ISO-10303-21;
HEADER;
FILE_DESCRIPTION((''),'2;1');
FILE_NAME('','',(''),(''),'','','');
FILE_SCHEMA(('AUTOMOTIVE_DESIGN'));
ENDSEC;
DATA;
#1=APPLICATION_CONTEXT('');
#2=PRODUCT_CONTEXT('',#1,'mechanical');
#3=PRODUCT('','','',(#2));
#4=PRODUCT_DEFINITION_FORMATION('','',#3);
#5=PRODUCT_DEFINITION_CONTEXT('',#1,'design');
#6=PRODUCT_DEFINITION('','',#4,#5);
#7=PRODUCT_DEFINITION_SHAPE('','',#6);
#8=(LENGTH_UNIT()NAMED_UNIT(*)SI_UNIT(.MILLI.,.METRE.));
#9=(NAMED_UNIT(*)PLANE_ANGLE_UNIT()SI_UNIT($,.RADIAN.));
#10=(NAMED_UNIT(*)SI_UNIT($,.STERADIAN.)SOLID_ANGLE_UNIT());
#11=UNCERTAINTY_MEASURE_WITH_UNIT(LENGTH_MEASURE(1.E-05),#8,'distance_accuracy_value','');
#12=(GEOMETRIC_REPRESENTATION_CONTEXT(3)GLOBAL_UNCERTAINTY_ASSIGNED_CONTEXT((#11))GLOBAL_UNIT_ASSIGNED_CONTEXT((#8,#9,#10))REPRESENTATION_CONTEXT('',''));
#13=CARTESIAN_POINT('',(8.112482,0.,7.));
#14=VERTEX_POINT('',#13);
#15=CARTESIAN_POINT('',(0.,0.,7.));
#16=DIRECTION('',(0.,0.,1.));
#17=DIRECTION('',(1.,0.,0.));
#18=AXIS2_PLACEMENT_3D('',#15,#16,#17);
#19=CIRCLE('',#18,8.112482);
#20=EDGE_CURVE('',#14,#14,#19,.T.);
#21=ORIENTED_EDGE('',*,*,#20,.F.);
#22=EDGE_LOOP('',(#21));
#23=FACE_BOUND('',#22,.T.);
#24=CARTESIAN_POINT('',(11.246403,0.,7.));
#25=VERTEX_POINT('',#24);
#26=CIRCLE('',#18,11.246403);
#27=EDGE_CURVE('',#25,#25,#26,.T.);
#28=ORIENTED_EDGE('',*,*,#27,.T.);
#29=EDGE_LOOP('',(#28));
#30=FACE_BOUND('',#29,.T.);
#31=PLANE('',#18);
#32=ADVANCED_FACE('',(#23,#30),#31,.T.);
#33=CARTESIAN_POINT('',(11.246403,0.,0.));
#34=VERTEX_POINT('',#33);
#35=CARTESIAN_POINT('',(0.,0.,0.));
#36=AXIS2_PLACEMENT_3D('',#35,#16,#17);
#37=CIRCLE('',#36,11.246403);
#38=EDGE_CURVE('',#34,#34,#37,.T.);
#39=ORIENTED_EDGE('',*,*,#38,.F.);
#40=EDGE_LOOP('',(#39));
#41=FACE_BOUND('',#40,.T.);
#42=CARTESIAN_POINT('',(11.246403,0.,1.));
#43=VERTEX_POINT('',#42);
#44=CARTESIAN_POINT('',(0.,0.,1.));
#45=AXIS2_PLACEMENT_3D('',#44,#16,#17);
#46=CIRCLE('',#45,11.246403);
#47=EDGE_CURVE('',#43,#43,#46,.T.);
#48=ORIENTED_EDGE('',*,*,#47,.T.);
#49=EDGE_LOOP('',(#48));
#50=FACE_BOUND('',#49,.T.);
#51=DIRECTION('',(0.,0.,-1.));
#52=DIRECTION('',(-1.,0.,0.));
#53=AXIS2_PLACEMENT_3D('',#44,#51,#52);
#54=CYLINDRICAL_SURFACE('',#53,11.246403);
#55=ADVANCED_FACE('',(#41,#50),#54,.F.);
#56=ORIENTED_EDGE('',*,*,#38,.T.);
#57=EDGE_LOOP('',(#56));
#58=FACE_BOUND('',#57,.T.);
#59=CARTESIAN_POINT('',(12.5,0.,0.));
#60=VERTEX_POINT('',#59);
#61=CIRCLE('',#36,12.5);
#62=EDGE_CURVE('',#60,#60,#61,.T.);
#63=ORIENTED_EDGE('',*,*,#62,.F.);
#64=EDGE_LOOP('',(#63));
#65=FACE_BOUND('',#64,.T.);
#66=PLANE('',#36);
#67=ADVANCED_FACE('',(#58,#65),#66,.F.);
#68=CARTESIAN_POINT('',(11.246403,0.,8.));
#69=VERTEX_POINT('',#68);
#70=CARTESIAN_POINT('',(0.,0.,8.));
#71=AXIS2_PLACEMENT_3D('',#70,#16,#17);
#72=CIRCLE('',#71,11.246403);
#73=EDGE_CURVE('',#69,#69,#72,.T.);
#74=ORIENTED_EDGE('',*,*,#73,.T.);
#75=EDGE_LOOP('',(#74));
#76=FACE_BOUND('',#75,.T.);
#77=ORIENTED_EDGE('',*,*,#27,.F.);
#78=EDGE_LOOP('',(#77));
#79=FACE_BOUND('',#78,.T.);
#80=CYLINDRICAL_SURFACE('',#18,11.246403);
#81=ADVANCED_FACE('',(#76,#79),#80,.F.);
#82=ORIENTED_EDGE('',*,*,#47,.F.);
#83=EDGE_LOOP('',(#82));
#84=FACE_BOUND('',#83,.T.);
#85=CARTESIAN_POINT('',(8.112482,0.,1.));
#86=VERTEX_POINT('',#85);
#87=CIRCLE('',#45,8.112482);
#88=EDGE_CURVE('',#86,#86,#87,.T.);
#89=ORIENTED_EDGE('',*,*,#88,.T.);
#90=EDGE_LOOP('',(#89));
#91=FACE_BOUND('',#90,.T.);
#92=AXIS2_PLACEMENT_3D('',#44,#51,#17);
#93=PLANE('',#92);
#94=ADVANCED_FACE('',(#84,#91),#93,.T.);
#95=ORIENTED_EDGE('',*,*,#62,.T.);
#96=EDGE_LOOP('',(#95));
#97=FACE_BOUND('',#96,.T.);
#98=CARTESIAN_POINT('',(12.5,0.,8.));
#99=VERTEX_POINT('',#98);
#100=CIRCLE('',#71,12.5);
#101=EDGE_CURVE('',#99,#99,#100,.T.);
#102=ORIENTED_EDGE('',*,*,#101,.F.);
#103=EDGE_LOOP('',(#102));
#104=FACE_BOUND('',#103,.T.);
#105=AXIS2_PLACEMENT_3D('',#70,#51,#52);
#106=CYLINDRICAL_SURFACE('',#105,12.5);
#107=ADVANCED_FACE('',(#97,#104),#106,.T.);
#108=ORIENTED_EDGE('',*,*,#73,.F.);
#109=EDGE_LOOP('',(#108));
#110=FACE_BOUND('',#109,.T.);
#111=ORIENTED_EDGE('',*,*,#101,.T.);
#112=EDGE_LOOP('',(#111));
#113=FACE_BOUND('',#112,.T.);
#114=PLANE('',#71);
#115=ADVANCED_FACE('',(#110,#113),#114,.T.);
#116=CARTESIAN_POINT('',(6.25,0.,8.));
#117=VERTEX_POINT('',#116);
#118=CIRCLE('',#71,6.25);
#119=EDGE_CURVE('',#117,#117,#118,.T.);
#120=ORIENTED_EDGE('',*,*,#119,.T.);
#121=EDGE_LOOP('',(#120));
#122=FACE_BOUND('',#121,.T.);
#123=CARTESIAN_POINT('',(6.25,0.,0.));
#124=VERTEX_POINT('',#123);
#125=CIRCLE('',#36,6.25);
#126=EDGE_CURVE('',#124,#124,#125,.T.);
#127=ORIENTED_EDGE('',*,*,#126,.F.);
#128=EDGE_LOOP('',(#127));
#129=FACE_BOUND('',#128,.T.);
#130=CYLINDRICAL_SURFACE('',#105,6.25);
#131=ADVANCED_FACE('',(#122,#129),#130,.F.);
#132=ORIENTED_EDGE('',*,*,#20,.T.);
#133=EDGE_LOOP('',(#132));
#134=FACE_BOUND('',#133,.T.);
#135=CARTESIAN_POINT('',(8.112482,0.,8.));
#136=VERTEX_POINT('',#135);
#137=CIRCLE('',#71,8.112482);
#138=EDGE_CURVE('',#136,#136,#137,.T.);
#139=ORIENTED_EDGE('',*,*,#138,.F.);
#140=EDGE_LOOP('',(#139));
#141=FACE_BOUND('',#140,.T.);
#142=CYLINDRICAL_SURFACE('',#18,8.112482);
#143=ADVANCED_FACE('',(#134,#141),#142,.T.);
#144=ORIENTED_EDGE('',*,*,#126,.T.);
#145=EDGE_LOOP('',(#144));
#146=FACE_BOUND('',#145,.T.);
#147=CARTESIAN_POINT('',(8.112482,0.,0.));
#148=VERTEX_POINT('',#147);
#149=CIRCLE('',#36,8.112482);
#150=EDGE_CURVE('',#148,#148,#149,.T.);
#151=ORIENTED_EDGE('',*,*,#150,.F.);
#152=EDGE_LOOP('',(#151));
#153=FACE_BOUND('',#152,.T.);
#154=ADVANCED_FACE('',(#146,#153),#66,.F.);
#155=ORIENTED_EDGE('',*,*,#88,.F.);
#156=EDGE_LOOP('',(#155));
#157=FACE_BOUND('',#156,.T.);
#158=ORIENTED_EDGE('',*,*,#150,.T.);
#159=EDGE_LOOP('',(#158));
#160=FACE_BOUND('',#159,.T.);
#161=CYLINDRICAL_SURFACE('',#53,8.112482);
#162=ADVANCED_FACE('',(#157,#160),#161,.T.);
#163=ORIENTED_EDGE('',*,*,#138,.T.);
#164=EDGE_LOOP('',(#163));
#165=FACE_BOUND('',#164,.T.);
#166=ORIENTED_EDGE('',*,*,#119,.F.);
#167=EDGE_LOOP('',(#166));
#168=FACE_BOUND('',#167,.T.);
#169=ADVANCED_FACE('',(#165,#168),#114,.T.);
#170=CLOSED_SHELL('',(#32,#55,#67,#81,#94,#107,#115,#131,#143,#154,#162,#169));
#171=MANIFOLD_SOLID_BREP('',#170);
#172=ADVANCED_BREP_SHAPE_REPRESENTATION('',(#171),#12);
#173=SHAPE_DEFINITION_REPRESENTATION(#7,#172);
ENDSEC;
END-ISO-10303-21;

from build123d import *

# Parameters (mm, degrees)
SKETCH1_R           = 12.5
SKETCH1_R_2         = 6.25
BOSS_EXTRUDE1_DEPTH = 8
SKETCH2_R           = 11.246403069
SKETCH2_R_2         = 8.112482208
CUT_EXTRUDE1_DEPTH  = 1


with BuildPart() as part:
    # Sketch1 → Boss-Extrude1 (new body)
    with BuildSketch(Plane.XY):
        Circle(SKETCH1_R)
        Circle(SKETCH1_R_2, mode=Mode.SUBTRACT)
    extrude(amount=BOSS_EXTRUDE1_DEPTH)

    # Sketch2 → Cut-Extrude1 (cut)
    with BuildSketch(Plane.XY.offset(8)):
        Circle(SKETCH2_R)
        Circle(SKETCH2_R_2, mode=Mode.SUBTRACT)
    cut_extrude1 = extrude(amount=-CUT_EXTRUDE1_DEPTH, mode=Mode.SUBTRACT)

    # Mirror1: Cut-Extrude1 across plane
    add(cut_extrude1.mirror(Plane.XY.offset(4)), mode=Mode.SUBTRACT)


solid = part.part
